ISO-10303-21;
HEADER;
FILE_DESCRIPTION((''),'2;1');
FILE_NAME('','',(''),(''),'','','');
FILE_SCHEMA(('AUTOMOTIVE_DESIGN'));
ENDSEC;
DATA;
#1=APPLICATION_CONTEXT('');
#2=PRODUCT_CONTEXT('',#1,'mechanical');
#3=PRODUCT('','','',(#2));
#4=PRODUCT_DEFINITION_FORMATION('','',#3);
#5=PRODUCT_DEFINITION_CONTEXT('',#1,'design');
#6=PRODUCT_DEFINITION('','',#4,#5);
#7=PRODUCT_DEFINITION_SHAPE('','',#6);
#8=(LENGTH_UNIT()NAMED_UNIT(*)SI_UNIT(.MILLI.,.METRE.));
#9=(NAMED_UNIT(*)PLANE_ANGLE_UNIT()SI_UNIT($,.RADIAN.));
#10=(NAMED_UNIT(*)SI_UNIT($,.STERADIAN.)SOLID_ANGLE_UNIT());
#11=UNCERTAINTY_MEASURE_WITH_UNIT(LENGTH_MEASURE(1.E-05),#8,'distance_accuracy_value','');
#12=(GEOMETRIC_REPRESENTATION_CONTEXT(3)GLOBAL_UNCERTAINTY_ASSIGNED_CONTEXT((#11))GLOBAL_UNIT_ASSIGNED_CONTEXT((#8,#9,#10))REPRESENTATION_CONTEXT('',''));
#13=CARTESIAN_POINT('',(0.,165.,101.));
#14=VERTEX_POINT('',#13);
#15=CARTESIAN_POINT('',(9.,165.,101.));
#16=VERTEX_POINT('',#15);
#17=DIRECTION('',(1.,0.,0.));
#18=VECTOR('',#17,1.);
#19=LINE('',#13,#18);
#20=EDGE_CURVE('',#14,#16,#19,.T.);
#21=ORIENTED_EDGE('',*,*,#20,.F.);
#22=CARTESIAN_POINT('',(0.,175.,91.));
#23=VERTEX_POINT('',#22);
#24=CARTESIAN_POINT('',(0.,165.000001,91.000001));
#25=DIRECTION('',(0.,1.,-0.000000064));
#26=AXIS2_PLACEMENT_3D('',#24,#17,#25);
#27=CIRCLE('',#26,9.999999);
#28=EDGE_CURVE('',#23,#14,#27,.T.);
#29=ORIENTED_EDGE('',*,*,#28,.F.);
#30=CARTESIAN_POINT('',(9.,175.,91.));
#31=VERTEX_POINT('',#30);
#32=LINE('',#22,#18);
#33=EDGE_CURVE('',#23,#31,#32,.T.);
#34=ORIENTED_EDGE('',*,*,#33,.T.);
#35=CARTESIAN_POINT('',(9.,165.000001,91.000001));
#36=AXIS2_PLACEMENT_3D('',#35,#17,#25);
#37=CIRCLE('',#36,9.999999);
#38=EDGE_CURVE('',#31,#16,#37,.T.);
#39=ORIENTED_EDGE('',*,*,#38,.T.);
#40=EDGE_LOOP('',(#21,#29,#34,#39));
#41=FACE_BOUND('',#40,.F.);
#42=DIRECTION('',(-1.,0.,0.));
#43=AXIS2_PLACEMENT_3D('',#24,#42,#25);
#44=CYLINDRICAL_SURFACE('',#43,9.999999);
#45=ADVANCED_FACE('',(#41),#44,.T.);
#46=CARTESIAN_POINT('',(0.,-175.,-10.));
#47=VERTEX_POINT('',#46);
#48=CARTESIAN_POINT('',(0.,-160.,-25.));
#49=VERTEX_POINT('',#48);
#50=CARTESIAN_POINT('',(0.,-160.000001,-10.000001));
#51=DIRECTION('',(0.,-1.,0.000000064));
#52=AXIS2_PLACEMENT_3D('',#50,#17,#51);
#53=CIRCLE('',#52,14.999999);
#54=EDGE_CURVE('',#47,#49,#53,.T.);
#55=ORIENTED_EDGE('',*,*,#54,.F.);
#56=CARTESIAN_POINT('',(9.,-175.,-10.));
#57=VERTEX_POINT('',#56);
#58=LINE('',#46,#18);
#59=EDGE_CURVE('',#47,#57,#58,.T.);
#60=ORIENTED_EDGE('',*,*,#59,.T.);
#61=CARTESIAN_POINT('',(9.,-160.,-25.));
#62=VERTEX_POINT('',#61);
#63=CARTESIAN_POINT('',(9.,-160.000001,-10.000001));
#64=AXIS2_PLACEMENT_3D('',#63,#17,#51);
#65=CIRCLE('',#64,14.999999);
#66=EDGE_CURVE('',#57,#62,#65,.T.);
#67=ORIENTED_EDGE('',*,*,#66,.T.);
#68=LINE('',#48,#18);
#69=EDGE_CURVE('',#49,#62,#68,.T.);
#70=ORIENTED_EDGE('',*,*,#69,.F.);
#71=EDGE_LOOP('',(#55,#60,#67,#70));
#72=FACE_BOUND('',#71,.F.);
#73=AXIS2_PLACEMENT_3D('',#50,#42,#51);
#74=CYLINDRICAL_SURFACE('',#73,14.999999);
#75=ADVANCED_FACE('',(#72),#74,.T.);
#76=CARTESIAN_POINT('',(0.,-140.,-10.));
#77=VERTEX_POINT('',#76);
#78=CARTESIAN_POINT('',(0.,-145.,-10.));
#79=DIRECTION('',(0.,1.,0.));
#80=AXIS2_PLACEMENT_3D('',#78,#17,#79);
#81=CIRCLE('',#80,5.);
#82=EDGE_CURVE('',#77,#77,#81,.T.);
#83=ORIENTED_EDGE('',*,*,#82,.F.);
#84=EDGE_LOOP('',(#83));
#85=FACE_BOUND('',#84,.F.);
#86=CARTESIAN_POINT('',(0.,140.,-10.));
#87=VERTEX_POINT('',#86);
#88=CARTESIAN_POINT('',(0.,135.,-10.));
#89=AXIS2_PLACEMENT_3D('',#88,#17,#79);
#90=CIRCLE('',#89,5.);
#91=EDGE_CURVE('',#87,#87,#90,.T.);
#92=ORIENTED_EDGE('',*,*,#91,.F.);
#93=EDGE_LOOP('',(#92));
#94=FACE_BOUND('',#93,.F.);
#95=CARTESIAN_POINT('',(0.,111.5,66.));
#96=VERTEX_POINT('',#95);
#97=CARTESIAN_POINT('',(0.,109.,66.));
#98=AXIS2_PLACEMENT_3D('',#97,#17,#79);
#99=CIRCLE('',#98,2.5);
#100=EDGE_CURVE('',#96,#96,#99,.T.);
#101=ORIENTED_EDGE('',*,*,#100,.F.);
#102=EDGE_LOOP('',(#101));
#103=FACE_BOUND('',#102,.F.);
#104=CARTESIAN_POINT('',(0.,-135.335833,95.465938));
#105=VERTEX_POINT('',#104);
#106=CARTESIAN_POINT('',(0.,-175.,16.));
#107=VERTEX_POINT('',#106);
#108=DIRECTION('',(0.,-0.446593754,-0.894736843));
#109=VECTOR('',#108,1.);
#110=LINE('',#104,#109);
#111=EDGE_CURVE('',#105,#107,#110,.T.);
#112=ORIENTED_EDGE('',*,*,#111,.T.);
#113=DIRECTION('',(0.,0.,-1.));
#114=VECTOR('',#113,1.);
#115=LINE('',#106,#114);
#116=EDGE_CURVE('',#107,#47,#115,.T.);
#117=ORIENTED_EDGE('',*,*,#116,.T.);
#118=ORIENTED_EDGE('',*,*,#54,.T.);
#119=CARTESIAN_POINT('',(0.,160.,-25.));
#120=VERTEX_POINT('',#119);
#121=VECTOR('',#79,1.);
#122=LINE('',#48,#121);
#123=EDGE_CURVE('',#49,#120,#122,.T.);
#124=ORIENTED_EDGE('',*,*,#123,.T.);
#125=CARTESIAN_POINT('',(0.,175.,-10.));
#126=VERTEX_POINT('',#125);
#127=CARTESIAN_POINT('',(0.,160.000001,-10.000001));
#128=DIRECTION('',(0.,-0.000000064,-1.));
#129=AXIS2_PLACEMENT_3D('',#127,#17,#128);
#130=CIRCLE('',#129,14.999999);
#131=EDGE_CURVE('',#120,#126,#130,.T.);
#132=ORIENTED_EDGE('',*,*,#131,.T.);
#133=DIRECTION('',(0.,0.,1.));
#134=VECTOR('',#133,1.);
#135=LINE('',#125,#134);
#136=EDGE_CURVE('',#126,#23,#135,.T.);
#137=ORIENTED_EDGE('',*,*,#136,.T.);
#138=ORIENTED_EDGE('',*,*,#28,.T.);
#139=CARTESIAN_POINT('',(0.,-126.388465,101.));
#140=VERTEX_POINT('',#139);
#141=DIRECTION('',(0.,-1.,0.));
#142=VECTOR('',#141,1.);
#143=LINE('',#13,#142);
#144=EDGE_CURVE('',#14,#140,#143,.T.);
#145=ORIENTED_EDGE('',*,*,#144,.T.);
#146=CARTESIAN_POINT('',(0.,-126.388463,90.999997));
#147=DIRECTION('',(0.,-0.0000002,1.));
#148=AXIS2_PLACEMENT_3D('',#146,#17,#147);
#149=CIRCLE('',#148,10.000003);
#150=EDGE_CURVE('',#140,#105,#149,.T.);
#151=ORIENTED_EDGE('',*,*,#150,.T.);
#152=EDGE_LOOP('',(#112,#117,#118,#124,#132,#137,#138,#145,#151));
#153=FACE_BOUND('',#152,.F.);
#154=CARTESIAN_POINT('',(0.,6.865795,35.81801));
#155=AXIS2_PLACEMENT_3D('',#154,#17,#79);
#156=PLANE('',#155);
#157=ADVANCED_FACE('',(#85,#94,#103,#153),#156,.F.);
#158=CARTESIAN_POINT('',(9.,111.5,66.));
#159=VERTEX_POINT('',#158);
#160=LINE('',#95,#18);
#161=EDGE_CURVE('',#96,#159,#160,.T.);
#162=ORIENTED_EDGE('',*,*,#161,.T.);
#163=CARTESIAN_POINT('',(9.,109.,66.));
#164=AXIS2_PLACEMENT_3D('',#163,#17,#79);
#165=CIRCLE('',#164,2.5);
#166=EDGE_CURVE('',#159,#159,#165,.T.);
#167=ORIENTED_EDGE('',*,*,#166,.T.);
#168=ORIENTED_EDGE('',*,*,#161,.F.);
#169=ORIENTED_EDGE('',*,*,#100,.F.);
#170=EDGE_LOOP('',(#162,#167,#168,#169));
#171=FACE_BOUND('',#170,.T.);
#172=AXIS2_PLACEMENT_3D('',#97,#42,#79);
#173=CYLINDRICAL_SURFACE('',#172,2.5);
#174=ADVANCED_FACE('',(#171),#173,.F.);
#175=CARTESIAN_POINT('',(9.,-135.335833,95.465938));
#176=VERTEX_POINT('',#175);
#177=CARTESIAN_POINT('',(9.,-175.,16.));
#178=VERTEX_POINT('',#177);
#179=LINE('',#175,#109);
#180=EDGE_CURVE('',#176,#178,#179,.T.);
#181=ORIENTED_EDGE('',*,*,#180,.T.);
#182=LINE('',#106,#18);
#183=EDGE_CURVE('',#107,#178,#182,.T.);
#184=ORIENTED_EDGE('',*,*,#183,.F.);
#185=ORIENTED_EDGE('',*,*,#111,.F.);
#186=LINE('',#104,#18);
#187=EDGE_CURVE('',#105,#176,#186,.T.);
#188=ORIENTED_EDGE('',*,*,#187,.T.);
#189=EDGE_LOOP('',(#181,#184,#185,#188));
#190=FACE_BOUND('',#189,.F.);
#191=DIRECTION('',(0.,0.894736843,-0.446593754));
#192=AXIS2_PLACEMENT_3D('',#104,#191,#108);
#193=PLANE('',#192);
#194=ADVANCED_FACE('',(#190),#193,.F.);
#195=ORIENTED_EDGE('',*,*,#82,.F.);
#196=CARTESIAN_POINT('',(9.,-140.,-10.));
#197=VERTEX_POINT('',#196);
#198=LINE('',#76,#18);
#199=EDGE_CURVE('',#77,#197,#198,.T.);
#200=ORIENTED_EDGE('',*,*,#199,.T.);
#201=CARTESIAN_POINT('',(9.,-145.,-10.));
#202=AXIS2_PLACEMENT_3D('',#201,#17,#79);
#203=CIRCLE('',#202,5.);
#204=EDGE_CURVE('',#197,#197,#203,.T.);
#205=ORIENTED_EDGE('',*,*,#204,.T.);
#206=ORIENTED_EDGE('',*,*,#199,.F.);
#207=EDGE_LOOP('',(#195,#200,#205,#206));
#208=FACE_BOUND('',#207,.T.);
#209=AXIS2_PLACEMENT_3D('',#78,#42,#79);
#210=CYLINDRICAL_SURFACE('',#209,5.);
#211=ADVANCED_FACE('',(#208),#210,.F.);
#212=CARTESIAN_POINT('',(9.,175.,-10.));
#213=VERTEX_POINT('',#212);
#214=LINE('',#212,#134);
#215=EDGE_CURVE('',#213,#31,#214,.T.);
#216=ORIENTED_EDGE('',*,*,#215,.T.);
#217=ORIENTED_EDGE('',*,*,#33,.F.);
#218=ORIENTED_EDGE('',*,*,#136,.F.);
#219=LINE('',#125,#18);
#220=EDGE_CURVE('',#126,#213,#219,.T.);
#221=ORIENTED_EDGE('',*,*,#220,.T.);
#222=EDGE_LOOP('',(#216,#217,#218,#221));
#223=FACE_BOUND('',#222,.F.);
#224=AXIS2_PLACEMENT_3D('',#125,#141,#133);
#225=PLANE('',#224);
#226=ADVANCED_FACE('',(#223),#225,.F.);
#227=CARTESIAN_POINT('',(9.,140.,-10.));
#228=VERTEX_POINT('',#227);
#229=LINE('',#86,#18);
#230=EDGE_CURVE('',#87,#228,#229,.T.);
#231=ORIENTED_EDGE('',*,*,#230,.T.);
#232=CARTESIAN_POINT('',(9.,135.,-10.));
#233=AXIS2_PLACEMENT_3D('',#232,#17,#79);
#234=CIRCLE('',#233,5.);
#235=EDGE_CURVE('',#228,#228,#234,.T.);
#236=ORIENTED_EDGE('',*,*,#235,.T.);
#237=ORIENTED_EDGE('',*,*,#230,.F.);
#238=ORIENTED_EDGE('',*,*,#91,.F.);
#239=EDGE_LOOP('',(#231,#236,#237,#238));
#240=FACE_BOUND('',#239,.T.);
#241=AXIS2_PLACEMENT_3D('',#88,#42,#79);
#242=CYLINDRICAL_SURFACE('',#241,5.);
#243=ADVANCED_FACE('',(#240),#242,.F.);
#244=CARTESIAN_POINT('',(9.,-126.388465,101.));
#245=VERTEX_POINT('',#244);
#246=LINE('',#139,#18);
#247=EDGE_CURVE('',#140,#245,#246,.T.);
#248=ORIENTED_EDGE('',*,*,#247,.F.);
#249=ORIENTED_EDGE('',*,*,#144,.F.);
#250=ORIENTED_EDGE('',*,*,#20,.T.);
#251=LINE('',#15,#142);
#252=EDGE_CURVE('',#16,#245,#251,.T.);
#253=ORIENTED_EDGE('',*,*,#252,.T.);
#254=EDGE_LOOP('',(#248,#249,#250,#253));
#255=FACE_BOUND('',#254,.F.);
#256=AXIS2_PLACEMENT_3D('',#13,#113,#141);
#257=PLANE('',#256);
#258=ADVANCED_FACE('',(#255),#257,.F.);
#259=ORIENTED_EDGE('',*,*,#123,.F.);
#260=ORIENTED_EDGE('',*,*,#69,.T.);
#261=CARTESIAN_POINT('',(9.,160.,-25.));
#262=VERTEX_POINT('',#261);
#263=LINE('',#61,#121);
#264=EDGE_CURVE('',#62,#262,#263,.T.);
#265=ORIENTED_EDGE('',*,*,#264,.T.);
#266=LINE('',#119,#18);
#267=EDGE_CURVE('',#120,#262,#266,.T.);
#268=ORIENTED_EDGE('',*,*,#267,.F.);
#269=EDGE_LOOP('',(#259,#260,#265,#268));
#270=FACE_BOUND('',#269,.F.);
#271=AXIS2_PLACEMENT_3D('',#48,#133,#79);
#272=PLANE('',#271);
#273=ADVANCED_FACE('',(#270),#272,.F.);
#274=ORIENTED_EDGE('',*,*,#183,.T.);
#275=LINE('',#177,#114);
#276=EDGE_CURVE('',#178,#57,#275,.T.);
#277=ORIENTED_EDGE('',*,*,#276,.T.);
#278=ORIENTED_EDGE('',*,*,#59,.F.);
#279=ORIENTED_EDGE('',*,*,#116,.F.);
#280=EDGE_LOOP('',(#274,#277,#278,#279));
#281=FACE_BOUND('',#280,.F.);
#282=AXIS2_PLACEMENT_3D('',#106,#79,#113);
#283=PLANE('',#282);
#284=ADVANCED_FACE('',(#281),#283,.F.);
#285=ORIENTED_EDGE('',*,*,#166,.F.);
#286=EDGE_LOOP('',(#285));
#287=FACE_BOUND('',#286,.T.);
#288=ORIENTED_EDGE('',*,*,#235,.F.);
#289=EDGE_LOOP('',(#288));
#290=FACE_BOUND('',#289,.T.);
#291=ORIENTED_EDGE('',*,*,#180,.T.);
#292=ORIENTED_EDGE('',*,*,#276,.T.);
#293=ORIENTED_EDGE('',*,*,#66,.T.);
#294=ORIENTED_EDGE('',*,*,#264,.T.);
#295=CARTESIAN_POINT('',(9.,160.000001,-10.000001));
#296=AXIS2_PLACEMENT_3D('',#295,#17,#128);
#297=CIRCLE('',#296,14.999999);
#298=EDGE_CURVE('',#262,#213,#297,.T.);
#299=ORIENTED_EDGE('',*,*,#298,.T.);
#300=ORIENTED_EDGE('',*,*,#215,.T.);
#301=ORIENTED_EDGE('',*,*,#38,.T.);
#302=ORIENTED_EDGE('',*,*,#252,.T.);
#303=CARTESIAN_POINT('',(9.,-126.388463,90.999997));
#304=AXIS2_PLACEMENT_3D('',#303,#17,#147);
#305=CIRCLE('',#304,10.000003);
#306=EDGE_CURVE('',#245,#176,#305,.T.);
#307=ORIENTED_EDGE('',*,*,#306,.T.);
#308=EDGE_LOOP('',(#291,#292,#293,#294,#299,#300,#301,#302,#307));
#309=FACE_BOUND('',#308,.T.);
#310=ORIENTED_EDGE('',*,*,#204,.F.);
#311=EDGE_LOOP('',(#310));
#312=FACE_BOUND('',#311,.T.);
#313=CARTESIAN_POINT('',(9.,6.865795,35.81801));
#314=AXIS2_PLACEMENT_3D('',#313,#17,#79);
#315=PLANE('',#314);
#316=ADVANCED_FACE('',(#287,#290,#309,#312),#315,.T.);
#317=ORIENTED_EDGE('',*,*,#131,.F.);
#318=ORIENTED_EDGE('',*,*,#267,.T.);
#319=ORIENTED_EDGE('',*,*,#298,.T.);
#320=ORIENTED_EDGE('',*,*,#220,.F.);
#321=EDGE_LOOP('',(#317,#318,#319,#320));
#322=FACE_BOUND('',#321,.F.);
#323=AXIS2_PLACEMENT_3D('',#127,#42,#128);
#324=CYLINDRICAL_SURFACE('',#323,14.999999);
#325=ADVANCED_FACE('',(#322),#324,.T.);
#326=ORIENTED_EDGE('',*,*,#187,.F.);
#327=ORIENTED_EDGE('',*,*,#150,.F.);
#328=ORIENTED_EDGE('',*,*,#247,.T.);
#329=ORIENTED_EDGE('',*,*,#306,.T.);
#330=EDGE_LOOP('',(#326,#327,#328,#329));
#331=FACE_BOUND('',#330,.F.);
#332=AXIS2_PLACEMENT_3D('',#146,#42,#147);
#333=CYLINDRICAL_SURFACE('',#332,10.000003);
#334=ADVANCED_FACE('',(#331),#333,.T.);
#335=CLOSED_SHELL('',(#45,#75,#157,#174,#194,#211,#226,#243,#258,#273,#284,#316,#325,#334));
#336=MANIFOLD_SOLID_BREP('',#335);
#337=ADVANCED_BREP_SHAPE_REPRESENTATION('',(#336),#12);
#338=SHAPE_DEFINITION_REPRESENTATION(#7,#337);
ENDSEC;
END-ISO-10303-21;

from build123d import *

# Parameters (mm, degrees)
F0_R     = 5
F0_R_2   = 2.5
F1_DEPTH = 9


with BuildPart() as f1:
    # F0 (on Right) → F1 (new body)
    with BuildSketch(Plane.YZ):
        with BuildLine():
            ThreePointArc((175, 91), (172.071068, 98.071068), (165, 101))
            Line((165, 101), (-126.388465, 101))
            ThreePointArc((-126.388465, 101), (-131.648722, 99.504686), (-135.335833, 95.465938))
            Line((-135.335833, 95.465938), (-175, 16))
            Line((-175, 16), (-175, 0))
            Line((-175, 0), (-175, -10))
            ThreePointArc((-175, -10), (-170.606602, -20.606602), (-160, -25))
            Line((-160, -25), (160, -25))
            ThreePointArc((160, -25), (170.606602, -20.606602), (175, -10))
            Line((175, -10), (175, 91))
        make_face()
        with Locations((-145, -10)):
            Circle(F0_R, mode=Mode.SUBTRACT)
        with Locations((135, -10)):
            Circle(F0_R, mode=Mode.SUBTRACT)
        with Locations((109, 66)):
            Circle(F0_R_2, mode=Mode.SUBTRACT)
    extrude(amount=F1_DEPTH)


solid = f1.part
